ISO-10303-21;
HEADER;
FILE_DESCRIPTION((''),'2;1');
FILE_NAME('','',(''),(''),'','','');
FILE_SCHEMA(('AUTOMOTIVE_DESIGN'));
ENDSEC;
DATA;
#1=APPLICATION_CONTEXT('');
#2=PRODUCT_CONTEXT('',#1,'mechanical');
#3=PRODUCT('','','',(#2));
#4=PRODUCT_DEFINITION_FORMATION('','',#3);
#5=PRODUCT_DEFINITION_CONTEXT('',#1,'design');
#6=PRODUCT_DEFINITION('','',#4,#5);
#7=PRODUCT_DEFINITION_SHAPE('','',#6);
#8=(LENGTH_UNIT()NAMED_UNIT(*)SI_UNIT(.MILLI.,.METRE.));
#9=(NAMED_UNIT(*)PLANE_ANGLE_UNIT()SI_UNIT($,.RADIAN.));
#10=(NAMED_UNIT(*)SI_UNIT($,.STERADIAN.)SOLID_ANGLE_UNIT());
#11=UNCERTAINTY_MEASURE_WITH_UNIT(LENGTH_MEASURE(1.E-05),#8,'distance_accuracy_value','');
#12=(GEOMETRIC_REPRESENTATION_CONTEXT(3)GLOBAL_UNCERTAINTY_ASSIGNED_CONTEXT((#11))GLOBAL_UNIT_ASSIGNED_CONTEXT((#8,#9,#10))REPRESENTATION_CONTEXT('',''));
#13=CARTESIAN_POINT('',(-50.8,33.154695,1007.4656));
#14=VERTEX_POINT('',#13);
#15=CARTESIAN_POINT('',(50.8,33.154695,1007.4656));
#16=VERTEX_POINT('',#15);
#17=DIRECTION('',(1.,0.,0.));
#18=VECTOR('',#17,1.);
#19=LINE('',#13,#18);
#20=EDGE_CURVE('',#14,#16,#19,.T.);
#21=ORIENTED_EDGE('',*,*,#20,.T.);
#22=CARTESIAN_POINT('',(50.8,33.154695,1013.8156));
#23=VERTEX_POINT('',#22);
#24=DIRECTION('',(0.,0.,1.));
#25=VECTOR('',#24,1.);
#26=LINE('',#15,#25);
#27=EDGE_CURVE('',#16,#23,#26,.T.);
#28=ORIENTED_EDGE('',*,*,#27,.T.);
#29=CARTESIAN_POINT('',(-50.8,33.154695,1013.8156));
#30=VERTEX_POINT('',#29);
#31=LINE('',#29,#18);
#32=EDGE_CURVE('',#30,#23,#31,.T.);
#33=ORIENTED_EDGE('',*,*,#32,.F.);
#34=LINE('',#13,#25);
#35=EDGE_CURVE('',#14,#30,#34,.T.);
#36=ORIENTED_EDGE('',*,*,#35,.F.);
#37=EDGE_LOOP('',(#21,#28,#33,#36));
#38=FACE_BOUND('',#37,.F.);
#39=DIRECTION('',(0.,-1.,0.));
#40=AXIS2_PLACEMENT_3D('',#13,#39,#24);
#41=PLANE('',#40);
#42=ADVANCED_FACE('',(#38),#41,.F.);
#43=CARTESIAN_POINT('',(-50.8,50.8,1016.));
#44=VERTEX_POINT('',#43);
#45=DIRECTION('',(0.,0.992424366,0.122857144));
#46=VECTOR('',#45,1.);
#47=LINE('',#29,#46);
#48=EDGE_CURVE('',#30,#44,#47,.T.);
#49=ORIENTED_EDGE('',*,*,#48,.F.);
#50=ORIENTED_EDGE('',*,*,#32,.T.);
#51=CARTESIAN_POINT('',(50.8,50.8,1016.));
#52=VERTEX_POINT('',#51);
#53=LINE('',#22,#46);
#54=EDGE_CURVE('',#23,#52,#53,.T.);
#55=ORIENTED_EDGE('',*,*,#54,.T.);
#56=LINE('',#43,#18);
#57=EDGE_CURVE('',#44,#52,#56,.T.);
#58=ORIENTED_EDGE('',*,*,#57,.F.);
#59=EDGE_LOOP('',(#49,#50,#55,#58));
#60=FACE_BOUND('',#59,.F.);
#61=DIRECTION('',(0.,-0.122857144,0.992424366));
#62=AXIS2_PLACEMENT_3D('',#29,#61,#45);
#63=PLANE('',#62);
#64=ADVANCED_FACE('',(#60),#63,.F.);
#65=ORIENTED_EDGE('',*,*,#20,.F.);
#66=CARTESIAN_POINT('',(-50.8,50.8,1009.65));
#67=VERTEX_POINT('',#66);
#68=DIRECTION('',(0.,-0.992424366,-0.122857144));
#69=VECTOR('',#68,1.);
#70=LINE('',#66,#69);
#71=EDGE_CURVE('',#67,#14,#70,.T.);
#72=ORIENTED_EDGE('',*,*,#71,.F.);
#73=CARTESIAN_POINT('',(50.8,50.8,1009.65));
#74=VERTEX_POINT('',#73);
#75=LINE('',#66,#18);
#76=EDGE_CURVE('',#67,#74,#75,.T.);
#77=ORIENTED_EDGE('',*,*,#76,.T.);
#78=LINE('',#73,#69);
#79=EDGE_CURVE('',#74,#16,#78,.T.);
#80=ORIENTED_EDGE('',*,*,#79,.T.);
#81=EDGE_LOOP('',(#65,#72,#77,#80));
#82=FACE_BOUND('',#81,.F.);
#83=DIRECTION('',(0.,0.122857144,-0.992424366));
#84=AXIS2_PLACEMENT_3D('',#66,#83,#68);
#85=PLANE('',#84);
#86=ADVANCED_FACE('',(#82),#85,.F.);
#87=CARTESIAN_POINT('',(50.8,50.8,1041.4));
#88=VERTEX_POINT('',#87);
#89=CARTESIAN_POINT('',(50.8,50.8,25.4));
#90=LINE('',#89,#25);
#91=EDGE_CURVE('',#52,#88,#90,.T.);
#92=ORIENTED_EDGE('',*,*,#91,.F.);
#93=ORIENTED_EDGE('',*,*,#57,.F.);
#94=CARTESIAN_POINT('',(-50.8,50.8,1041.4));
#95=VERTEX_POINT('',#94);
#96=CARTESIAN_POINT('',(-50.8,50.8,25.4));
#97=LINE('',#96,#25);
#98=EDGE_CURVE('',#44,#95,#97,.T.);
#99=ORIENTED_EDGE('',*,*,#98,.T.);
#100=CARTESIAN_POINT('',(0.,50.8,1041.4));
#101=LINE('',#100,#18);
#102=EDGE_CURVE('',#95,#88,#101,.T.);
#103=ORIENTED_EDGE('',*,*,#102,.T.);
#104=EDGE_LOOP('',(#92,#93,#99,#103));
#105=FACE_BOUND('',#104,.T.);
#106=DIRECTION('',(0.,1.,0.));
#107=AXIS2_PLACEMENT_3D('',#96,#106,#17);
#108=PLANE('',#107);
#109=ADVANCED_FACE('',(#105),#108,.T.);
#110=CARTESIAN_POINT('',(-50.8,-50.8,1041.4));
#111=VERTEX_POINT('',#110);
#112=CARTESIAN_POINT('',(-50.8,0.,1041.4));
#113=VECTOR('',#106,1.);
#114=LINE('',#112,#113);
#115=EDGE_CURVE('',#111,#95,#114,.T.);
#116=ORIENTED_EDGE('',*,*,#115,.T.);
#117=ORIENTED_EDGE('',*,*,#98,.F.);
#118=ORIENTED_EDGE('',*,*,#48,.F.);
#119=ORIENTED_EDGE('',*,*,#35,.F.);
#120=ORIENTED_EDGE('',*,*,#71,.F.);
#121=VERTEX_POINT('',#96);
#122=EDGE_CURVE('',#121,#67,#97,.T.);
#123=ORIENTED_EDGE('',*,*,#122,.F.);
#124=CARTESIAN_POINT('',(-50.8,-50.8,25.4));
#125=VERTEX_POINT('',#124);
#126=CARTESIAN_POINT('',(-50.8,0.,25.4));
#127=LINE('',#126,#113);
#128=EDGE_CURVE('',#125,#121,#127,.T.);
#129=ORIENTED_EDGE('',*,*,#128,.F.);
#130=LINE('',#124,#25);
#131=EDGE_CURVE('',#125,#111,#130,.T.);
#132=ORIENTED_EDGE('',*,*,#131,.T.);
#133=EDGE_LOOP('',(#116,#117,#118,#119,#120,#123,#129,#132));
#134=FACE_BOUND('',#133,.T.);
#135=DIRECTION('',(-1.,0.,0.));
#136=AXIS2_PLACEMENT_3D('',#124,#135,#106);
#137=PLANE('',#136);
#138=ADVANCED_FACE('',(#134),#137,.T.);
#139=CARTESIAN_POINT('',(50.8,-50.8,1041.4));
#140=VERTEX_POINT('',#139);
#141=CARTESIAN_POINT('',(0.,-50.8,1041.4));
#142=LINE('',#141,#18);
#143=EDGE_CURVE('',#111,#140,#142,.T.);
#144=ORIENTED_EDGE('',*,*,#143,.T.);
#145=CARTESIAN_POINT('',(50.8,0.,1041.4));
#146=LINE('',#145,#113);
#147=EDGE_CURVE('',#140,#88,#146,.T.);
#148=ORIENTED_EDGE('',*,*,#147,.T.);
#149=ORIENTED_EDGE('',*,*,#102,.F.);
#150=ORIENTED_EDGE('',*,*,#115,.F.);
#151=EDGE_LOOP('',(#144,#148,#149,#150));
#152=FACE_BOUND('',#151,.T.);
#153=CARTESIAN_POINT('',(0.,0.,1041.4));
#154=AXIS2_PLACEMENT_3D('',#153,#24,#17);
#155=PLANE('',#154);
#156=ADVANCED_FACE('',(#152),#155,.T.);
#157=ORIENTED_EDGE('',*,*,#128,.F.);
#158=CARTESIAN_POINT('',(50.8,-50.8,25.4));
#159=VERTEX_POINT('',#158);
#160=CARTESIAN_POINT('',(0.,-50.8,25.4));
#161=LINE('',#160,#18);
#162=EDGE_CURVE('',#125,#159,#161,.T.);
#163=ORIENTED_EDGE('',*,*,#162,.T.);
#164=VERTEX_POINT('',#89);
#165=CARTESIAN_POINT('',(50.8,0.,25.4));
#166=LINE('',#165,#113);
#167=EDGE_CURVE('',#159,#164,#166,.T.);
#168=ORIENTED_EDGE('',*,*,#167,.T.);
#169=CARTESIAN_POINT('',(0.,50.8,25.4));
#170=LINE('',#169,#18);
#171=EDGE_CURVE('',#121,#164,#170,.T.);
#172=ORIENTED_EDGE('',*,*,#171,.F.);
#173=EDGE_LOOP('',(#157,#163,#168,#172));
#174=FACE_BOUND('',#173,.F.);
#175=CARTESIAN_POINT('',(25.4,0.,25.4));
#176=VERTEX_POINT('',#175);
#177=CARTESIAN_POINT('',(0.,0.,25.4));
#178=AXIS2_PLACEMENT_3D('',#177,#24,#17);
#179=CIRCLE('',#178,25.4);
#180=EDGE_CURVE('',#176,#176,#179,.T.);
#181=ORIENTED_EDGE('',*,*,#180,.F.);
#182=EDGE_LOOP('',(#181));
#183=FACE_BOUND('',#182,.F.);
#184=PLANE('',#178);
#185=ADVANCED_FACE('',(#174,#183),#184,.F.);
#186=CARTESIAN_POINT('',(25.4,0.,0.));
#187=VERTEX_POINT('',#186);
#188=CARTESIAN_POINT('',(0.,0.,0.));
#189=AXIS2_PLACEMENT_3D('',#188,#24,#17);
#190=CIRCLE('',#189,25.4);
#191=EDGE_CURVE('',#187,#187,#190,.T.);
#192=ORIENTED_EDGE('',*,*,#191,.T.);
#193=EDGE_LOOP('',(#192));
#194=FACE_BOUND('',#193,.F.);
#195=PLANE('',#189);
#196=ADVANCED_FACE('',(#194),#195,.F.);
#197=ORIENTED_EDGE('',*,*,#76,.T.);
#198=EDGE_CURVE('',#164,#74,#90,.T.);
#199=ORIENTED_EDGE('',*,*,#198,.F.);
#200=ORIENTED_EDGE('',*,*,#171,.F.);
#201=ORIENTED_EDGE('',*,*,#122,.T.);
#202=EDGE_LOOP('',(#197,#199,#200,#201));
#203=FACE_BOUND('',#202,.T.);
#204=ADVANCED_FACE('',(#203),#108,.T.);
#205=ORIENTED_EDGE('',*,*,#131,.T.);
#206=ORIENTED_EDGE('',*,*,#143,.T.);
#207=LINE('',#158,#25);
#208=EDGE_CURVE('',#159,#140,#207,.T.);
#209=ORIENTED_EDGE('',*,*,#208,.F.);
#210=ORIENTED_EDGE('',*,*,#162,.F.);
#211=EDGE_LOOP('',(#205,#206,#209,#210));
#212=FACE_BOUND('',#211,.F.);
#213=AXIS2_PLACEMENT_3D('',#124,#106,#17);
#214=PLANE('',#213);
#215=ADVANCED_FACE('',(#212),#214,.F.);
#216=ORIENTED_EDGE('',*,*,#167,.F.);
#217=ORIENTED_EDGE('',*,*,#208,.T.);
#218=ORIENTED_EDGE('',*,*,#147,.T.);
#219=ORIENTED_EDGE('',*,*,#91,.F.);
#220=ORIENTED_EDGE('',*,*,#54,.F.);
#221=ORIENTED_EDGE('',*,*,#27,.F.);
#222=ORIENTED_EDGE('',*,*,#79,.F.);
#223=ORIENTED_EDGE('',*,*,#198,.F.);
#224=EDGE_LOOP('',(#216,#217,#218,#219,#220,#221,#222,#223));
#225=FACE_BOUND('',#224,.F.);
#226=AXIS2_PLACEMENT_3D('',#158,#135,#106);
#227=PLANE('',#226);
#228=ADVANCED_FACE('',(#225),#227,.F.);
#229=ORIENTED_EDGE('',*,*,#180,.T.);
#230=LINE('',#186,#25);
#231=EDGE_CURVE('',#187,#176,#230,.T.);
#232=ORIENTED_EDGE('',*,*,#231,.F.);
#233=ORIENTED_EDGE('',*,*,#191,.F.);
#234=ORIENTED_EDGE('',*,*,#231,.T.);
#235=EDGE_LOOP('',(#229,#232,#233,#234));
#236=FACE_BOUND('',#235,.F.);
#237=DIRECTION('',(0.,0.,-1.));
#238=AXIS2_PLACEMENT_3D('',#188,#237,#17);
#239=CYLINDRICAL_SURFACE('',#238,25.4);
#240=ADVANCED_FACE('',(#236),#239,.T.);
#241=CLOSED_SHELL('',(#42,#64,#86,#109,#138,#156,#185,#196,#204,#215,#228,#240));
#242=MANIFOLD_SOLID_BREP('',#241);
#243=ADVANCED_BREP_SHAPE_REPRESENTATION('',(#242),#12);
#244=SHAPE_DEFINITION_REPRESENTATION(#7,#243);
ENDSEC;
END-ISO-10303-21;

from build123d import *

# Parameters (mm, degrees)
F0_R     = 25.4
F1_DEPTH = 25.4
F2_W     = 101.6
F2_H     = 101.6
F3_DEPTH = 1016
F5_DEPTH = 101.6


with BuildPart() as f1:
    # F0 (on Top) → F1 (new body)
    with BuildSketch(Plane.XY):
        Circle(F0_R)
    extrude(amount=F1_DEPTH)

    # F2 (on face) → F3 (join)
    with BuildSketch(Plane.XY.offset(25.4)):
        Rectangle(F2_W, F2_H)
    extrude(amount=F3_DEPTH)

    # F4 (on face) → F5 (cut)
    with BuildSketch(Plane(origin=(-50.8, 0, 0), x_dir=(0, -1, 0), z_dir=(-1, 0, 0))):
        Polygon((-33.154695, 1013.8156), (-50.8, 1016), (-50.8, 1009.65), (-33.154695, 1007.4656), align=None)
    extrude(amount=-F5_DEPTH, mode=Mode.SUBTRACT)


solid = f1.part
